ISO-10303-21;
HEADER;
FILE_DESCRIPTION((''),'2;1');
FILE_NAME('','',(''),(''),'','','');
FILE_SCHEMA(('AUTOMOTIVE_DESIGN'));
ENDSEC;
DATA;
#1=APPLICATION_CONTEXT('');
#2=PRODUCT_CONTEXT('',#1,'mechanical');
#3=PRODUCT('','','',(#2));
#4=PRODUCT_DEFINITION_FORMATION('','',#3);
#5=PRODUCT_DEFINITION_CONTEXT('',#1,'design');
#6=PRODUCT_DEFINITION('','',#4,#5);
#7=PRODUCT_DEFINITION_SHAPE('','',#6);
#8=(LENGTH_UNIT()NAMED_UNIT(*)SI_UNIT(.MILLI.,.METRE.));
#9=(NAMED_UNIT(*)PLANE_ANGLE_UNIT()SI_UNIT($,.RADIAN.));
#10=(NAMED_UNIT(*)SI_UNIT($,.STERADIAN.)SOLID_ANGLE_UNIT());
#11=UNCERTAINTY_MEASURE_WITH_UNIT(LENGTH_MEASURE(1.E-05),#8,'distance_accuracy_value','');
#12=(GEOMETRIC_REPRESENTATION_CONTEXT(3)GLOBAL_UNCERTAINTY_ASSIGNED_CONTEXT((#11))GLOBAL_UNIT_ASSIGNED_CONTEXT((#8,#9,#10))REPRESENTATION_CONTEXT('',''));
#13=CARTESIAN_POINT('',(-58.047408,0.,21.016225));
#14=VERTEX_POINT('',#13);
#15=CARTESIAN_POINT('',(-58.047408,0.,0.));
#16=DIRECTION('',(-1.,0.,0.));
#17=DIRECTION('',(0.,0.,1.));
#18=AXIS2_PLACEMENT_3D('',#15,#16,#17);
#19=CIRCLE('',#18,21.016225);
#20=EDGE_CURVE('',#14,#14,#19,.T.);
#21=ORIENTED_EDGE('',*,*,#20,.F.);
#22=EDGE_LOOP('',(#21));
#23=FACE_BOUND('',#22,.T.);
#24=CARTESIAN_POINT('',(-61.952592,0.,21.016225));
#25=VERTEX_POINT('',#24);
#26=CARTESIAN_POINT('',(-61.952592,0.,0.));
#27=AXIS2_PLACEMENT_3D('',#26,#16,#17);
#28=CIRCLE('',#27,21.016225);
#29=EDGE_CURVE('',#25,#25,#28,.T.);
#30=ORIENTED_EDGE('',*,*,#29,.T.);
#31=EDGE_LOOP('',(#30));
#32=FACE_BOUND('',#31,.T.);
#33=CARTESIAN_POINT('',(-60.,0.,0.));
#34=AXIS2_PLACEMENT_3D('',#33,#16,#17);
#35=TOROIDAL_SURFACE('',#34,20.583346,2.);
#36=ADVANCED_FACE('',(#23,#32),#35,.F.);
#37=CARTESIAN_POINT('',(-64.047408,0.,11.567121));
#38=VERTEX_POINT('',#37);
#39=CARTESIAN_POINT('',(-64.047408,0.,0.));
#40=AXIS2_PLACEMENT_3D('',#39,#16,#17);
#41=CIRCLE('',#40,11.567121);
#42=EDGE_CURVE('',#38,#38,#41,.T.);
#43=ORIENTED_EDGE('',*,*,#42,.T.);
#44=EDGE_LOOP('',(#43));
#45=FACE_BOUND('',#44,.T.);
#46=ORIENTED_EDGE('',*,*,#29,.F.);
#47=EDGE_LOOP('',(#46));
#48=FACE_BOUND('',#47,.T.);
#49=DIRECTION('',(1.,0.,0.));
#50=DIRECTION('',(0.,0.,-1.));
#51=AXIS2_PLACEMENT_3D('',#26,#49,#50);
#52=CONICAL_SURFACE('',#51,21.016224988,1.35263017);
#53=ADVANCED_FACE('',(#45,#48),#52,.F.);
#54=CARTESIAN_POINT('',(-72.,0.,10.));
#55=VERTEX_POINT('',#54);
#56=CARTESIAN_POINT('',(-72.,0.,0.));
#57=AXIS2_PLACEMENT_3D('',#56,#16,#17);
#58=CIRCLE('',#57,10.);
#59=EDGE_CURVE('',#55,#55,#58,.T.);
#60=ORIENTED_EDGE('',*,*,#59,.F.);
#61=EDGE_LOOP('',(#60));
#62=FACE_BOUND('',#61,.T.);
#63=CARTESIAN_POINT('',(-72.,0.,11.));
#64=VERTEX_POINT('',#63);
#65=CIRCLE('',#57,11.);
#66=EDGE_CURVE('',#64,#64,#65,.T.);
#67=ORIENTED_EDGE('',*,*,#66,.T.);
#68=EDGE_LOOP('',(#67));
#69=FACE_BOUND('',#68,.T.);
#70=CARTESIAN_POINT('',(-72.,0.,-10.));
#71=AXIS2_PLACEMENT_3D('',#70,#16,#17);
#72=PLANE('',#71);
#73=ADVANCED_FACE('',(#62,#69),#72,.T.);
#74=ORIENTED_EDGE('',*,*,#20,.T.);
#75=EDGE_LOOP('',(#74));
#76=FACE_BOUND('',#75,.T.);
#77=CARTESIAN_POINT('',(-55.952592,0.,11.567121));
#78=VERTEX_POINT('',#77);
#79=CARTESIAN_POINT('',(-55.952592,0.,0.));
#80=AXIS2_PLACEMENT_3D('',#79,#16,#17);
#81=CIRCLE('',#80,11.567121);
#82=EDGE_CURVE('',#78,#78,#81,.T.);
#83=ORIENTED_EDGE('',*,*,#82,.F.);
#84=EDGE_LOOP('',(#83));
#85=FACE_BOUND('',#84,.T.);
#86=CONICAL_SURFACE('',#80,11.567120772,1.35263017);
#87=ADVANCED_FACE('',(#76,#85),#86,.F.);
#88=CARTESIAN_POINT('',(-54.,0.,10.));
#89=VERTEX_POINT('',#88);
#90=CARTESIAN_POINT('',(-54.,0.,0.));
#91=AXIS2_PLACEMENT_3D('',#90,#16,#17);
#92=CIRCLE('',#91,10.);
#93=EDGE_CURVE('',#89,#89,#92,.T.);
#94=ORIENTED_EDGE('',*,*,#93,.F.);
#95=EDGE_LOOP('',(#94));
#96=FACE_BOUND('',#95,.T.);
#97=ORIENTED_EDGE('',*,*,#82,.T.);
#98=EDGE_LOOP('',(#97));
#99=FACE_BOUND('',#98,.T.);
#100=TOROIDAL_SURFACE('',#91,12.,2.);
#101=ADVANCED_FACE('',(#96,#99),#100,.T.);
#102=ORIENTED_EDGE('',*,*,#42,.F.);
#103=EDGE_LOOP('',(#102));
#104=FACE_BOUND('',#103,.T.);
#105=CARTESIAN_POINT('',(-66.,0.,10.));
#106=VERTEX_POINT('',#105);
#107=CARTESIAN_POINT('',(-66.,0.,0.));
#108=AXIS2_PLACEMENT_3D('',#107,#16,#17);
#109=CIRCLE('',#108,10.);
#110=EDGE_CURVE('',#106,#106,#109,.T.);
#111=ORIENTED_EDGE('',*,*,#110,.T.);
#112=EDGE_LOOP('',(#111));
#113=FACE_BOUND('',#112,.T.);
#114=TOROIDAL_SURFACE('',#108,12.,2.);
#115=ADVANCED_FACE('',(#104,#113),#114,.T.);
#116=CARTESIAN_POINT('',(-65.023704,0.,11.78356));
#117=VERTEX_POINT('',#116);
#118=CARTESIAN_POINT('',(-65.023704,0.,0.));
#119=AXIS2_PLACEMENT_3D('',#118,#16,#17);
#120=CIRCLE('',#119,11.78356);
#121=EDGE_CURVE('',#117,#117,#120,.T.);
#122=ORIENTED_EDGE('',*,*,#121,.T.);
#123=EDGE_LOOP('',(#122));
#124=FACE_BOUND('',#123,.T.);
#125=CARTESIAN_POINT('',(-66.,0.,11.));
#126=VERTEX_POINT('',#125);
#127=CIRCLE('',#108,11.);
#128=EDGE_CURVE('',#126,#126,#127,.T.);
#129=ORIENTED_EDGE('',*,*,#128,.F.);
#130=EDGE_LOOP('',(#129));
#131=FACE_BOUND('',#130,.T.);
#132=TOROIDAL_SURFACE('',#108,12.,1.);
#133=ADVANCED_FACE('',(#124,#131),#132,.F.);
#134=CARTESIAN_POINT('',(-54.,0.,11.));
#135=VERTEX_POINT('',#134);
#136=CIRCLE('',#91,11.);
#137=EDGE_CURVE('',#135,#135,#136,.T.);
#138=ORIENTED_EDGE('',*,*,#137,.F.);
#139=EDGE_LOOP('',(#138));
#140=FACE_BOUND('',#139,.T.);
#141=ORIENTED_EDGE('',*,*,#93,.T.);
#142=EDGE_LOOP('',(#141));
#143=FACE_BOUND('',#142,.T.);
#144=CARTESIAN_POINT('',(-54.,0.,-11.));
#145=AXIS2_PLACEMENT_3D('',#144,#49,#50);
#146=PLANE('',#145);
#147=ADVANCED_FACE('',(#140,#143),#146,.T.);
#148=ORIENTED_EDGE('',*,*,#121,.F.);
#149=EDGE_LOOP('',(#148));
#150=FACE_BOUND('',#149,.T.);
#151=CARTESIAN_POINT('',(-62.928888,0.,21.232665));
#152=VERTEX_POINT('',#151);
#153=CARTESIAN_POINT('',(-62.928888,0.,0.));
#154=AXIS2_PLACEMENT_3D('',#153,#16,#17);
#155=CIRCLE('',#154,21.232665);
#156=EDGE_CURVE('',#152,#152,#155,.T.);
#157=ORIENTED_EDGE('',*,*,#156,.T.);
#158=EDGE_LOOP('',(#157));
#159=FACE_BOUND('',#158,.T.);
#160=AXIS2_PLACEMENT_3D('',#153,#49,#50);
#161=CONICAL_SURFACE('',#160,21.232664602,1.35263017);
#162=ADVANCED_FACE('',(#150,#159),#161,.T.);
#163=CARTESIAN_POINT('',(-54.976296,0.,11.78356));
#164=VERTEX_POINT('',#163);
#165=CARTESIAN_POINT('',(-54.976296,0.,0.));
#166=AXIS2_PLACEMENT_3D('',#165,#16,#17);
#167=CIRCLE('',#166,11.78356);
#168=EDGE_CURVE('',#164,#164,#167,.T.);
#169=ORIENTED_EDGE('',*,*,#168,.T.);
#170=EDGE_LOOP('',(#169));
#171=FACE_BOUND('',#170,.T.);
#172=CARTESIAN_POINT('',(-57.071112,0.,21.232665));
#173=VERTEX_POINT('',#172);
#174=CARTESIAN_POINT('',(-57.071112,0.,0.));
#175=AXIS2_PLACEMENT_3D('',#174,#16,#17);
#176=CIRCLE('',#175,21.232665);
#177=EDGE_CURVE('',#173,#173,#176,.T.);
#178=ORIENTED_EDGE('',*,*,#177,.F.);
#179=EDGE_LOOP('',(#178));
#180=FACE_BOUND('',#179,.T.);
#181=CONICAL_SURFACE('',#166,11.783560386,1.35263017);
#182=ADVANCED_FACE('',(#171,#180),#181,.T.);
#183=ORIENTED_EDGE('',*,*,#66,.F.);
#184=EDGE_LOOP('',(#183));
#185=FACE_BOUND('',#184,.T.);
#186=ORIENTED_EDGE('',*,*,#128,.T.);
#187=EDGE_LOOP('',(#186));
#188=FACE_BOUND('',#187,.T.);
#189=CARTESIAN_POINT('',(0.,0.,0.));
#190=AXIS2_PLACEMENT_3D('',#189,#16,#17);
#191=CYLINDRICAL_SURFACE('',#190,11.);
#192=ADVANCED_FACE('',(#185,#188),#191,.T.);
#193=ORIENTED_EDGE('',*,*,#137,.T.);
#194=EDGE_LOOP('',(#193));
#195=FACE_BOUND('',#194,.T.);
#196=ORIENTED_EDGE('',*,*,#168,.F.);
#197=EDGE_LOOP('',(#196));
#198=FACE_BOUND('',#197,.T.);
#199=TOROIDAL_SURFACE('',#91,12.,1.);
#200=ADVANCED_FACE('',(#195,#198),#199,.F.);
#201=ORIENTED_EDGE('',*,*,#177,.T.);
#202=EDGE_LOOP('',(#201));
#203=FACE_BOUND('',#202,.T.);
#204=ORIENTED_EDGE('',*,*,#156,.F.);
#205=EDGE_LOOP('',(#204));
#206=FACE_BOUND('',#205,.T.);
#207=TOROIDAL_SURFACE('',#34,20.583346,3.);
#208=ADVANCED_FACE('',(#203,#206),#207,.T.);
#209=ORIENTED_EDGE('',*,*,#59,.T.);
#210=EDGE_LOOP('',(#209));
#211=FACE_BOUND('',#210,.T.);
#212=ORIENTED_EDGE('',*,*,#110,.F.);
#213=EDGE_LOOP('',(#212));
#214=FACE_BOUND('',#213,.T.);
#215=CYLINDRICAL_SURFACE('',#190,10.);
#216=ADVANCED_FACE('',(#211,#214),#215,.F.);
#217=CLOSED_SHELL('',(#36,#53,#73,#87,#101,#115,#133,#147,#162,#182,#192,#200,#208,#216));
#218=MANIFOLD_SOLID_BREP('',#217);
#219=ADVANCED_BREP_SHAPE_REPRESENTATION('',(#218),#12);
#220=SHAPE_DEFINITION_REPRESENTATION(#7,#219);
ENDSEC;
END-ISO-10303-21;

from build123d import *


with BuildPart() as part:
    # Sketch2 → Revolve-Thin7 (revolve)
    with BuildSketch(Plane(origin=(0, 0, 0), x_dir=(1, 0, 0), z_dir=(0, 1, 0)), mode=Mode.PRIVATE) as revolve_thin7_sk:
        with BuildLine():
            ThreePointArc((-54, 10), (-55.251846944, 10.440231034), (-55.952592014, 11.567120772))
            Line((-55.952592014, 11.567120772), (-58.047407986, 21.016224988))
            ThreePointArc((-58.047407986, 21.016224988), (-60, 22.583345761), (-61.952592014, 21.016224988))
            Line((-61.952592014, 21.016224988), (-64.047407986, 11.567120772))
            ThreePointArc((-64.047407986, 11.567120772), (-64.748153056, 10.440231034), (-66, 10))
            Line((-66, 10), (-72, 10))
            Line((-72, 10), (-72, 11))
            Line((-72, 11), (-66, 11))
            ThreePointArc((-66, 11), (-65.374076528, 11.220115517), (-65.023703993, 11.783560386))
            Line((-65.023703993, 11.783560386), (-62.928888021, 21.232664602))
            ThreePointArc((-62.928888021, 21.232664602), (-60, 23.583345761), (-57.071111979, 21.232664602))
            Line((-57.071111979, 21.232664602), (-54.976296007, 11.783560386))
            ThreePointArc((-54.976296007, 11.783560386), (-54.625923472, 11.220115517), (-54, 11))
            Line((-54, 11), (-54, 10))
        make_face()
    revolve(revolve_thin7_sk.sketch.rotate(Axis((0, 0, 0), (1, 0, 0)), 180), axis=Axis((0, 0, 0), (1, 0, 0)))


solid = part.part
